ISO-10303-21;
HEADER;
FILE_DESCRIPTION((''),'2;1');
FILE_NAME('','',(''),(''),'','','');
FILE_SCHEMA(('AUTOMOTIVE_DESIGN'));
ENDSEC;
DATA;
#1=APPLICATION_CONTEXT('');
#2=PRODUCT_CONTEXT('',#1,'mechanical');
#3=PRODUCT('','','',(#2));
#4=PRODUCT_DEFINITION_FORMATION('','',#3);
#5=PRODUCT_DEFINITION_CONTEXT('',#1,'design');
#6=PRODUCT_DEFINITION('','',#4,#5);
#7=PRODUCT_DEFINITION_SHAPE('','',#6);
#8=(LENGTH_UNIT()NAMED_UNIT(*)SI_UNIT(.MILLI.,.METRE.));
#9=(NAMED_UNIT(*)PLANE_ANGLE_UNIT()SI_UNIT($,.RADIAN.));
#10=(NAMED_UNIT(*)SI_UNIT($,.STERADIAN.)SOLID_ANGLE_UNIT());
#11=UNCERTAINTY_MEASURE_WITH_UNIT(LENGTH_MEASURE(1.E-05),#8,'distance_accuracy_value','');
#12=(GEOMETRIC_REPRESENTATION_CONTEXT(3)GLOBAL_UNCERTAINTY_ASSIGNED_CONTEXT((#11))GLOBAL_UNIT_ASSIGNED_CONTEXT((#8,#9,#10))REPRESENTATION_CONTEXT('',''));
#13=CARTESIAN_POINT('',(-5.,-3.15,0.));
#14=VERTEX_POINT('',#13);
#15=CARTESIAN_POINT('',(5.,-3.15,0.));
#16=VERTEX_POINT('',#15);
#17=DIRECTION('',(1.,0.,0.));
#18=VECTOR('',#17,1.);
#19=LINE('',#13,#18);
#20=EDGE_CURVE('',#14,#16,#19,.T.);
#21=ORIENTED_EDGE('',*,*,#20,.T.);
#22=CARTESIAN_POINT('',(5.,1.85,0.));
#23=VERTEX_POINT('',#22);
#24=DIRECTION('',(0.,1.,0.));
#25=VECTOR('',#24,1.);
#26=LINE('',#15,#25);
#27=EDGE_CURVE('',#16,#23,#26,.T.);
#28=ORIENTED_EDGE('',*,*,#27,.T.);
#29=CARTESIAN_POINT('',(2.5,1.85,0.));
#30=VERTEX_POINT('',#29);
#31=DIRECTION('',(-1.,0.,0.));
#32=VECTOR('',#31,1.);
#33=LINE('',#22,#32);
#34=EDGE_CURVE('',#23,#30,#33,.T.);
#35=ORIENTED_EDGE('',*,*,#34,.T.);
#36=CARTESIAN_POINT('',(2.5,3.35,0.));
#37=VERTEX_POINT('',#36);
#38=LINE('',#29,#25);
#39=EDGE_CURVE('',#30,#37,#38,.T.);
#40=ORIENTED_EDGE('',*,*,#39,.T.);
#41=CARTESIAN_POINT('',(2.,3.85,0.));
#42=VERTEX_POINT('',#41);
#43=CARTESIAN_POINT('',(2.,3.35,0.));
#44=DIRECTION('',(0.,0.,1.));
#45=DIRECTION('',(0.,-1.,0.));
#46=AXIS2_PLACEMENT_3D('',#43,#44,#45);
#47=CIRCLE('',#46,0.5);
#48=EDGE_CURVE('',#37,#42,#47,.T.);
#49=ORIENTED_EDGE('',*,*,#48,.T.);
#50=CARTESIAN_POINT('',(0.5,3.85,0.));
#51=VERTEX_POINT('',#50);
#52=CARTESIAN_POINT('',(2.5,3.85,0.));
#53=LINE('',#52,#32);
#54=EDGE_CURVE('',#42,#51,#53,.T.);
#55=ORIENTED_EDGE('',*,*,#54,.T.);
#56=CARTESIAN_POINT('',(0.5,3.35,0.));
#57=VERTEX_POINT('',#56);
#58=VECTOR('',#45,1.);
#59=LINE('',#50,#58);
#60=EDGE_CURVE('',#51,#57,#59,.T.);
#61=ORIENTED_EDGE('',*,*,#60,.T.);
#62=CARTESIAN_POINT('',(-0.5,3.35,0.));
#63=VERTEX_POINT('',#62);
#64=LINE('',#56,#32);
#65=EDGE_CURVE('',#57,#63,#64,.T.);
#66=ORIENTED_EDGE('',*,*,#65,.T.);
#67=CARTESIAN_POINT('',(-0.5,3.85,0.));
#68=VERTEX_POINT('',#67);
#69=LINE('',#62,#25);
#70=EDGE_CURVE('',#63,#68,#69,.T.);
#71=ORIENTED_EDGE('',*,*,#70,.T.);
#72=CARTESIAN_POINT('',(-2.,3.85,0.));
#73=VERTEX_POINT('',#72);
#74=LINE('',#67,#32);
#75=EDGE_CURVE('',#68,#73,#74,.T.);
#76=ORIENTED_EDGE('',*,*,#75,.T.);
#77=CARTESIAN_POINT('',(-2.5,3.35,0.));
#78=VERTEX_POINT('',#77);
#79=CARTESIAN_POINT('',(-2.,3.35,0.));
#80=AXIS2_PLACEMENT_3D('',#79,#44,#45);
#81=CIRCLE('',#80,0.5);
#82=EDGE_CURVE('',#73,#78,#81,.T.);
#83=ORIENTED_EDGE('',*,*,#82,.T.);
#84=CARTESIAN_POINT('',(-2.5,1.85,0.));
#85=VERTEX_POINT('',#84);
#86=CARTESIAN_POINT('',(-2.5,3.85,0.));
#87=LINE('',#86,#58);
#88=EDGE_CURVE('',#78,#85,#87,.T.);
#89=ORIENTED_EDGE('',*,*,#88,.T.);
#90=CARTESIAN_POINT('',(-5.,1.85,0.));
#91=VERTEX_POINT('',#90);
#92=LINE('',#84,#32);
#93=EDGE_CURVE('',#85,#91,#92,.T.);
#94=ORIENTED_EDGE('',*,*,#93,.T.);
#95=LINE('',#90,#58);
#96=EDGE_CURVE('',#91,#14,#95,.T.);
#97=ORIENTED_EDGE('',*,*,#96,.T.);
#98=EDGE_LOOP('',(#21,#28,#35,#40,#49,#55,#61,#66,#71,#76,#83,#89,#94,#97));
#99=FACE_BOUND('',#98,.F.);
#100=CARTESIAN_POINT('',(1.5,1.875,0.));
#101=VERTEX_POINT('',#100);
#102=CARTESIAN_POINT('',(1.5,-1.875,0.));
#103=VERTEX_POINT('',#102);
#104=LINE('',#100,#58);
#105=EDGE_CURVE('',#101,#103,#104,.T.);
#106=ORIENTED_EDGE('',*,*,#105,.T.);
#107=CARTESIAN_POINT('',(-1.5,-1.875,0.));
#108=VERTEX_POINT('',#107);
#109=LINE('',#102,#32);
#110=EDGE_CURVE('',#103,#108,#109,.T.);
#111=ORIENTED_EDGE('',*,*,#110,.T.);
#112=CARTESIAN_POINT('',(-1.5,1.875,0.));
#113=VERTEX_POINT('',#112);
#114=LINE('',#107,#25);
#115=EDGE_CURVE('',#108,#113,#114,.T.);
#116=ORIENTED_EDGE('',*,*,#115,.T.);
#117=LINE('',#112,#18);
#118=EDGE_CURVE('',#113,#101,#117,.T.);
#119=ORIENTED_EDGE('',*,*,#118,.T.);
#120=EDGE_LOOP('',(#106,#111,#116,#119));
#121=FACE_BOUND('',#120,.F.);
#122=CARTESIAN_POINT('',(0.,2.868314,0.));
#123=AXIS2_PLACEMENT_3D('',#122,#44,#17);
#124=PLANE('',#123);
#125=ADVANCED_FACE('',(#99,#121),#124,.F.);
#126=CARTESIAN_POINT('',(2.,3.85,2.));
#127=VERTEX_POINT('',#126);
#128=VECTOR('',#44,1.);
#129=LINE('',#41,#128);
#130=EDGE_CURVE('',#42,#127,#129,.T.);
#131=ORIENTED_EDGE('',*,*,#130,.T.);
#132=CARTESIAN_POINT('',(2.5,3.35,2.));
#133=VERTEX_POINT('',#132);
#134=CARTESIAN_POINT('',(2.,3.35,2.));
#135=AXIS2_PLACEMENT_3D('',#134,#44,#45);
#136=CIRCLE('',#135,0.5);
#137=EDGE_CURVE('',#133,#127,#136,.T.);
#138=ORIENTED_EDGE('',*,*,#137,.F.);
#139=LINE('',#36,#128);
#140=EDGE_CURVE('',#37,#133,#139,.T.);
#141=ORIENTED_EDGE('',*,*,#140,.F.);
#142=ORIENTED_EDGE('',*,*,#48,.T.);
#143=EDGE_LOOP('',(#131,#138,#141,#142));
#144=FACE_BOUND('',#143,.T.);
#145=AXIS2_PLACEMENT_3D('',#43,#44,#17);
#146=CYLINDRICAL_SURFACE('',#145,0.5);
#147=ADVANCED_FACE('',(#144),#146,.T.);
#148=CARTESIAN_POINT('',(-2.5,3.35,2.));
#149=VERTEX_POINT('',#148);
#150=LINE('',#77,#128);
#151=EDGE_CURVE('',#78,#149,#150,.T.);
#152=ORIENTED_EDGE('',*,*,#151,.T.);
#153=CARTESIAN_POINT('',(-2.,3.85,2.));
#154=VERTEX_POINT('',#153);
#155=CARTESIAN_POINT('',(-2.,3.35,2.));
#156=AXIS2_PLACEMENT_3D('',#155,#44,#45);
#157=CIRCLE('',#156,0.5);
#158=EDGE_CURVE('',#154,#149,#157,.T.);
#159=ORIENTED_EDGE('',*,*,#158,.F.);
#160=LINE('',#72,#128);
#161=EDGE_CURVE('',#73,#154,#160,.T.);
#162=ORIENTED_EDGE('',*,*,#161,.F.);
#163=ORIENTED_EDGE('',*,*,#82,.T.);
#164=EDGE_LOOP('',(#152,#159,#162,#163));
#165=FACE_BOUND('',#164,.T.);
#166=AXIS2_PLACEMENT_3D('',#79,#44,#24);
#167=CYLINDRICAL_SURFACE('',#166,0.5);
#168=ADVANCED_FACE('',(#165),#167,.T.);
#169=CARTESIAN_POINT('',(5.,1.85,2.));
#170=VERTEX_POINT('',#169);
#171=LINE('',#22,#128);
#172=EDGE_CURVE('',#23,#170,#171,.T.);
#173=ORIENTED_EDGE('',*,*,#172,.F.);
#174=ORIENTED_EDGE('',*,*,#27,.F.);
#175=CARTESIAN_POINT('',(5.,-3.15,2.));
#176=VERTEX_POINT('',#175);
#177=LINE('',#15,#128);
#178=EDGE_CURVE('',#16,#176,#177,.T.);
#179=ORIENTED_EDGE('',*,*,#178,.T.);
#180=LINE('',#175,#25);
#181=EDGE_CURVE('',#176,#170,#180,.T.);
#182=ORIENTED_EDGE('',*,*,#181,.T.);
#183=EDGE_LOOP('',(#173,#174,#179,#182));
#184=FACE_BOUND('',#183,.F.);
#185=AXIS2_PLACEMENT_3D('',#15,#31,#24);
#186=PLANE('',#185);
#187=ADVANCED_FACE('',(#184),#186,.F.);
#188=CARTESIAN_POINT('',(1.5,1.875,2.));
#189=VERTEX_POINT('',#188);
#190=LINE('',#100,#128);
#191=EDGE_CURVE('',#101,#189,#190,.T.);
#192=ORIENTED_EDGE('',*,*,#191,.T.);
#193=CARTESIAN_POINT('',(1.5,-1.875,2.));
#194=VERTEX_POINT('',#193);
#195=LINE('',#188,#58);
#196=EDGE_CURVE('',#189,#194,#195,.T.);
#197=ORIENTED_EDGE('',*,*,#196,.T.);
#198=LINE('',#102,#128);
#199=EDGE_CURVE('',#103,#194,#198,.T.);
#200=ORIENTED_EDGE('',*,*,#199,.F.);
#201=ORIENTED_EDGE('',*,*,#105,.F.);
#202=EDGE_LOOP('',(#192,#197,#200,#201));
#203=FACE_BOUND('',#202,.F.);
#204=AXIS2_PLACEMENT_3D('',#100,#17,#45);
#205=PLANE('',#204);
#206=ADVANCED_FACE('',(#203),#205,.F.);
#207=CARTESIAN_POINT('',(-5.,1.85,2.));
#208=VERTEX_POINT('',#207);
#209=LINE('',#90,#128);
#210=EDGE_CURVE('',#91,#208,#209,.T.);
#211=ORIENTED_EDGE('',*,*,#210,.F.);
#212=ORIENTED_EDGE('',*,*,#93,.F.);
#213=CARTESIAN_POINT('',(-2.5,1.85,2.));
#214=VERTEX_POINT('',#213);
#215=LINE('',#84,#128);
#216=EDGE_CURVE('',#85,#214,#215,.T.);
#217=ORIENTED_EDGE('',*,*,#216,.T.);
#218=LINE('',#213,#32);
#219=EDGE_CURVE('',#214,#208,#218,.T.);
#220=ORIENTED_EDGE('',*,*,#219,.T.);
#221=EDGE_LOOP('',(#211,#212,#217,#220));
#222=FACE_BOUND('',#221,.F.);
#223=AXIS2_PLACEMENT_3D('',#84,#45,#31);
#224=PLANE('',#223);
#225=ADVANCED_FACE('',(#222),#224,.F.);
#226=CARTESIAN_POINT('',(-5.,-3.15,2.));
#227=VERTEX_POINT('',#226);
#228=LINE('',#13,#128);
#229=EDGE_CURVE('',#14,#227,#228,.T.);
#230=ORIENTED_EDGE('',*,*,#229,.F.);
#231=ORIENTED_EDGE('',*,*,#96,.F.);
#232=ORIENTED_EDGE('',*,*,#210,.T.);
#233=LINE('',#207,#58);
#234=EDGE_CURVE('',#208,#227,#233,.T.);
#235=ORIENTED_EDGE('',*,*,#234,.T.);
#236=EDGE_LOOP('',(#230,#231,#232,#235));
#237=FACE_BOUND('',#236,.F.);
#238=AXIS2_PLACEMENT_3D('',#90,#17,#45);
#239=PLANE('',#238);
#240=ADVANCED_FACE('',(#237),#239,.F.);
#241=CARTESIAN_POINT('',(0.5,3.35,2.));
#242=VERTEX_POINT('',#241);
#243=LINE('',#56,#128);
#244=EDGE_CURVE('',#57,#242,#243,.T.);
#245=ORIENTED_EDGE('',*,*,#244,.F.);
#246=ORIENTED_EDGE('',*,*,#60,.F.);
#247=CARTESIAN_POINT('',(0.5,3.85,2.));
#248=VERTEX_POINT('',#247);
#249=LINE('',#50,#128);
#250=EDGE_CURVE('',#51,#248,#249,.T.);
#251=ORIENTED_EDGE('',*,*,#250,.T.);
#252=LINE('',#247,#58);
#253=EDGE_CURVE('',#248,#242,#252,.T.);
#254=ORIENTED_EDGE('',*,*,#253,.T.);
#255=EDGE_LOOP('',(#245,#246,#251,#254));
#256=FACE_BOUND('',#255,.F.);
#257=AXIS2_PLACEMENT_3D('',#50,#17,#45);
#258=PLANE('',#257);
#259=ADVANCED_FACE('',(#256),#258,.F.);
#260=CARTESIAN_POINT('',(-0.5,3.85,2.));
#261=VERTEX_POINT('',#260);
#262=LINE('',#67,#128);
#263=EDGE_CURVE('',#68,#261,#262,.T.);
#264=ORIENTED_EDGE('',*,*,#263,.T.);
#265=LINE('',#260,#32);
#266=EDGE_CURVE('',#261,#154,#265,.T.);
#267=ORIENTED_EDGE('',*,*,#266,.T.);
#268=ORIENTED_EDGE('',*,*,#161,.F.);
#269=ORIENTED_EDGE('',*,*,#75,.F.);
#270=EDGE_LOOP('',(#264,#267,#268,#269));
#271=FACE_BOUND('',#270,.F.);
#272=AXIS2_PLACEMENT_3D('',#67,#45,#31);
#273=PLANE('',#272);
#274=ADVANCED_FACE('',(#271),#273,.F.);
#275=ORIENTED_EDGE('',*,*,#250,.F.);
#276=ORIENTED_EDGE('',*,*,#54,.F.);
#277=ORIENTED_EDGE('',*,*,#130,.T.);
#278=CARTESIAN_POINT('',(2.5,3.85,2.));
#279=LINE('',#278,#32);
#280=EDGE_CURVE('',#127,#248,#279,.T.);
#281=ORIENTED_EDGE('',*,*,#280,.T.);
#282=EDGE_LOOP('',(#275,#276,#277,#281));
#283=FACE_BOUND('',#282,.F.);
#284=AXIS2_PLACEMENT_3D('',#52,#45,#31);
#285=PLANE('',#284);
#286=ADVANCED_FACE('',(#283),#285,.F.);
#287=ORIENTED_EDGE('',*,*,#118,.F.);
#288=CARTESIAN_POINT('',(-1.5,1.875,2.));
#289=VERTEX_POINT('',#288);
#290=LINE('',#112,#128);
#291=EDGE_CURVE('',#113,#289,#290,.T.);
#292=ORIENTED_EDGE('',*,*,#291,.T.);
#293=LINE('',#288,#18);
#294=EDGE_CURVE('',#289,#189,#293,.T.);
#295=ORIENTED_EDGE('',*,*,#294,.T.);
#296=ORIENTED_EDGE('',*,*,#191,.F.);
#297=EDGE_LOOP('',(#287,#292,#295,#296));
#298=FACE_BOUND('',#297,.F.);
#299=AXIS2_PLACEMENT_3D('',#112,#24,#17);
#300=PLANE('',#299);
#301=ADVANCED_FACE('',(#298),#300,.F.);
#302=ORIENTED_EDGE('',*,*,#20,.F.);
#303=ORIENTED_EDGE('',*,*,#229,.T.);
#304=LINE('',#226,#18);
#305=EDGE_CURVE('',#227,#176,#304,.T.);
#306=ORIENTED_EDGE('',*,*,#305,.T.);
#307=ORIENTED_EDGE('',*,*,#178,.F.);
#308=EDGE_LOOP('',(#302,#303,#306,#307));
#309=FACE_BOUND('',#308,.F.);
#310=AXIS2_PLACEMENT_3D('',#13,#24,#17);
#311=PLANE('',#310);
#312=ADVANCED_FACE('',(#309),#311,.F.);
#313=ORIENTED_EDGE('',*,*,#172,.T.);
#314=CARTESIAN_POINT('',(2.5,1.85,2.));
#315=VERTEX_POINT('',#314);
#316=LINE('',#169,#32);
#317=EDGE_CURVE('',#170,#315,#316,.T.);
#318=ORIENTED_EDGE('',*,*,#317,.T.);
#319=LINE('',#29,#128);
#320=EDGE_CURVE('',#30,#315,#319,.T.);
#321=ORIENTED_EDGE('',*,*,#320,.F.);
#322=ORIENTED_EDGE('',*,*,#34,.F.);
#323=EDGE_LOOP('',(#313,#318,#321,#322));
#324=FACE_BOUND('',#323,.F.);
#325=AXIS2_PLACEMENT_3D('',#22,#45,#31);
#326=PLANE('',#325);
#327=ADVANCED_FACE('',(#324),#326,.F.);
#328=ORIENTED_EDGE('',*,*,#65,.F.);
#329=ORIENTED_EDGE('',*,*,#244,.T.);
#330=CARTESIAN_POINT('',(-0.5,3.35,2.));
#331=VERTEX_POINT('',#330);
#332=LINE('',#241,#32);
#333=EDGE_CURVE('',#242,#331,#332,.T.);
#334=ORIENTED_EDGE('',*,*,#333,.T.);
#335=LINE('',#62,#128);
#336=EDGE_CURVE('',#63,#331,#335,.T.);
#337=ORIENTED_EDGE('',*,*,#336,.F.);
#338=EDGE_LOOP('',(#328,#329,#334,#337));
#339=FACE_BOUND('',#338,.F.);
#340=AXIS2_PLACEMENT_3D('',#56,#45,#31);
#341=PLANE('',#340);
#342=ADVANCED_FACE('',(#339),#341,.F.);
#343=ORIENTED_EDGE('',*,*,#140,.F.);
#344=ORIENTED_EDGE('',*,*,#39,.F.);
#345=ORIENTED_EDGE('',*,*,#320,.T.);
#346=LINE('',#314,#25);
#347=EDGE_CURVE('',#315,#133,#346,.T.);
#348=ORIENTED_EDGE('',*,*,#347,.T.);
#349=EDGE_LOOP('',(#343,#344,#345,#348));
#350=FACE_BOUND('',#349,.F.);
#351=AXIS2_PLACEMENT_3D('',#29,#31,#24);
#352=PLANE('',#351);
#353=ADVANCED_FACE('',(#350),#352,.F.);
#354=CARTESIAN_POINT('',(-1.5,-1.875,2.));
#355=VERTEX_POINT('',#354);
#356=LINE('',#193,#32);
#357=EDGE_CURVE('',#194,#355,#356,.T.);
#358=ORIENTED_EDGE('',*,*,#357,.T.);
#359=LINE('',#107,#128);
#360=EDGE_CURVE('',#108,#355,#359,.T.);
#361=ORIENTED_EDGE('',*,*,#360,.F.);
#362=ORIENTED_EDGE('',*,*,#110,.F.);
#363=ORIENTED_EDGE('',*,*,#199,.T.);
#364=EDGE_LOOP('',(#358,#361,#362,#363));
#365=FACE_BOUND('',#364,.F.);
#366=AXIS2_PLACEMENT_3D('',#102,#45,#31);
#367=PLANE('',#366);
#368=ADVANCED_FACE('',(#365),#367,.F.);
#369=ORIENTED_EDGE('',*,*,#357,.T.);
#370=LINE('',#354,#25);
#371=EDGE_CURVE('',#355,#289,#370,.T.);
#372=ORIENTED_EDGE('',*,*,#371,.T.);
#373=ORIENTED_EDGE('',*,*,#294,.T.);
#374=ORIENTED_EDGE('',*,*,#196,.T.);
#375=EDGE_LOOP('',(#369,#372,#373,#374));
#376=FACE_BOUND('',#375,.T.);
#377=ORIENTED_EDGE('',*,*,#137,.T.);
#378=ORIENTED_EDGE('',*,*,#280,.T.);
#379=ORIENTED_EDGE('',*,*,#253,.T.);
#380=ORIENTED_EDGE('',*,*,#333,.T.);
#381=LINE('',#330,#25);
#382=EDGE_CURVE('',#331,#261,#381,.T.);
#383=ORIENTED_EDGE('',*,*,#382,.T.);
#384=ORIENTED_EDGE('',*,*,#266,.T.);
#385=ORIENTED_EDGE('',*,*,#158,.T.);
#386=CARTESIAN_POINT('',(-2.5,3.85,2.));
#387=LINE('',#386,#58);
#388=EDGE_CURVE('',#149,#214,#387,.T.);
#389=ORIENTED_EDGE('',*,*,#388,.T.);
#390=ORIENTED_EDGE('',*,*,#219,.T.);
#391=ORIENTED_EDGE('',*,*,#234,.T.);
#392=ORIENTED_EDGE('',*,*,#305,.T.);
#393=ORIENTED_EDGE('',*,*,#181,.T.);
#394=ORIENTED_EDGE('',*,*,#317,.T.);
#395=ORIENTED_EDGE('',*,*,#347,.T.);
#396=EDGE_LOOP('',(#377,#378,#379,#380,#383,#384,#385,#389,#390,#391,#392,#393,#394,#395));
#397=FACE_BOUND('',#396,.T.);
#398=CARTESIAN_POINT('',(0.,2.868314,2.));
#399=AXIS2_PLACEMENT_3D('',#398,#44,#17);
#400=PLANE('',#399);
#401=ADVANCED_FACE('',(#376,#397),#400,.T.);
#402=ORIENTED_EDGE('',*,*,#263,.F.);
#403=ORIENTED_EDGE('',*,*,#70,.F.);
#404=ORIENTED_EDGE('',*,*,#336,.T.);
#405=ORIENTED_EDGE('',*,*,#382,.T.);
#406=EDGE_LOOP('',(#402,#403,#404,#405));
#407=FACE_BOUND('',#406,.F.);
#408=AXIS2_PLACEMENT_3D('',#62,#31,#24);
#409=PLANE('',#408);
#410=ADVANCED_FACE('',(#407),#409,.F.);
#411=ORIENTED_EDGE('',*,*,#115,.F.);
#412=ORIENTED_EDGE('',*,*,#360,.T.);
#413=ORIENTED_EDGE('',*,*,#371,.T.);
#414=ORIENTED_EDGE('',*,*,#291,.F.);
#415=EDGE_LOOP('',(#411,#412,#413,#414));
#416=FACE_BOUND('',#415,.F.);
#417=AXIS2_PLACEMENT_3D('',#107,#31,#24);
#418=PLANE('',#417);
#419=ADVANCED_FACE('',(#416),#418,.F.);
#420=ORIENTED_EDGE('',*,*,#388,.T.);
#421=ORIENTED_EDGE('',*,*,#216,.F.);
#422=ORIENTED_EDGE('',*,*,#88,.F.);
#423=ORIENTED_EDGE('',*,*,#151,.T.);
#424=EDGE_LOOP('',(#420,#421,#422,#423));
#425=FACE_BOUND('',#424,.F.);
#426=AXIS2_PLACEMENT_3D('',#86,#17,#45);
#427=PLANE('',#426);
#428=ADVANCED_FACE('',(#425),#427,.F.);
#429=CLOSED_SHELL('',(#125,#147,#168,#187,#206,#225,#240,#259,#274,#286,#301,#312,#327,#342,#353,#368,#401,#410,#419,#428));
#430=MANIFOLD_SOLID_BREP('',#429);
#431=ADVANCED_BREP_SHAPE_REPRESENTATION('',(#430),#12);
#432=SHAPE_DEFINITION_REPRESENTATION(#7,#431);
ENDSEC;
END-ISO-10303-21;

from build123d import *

# Parameters (mm, degrees)
F1_DEPTH = 2
F2_R     = 0.5


with BuildPart() as f1:
    # F0 (on Top) → F1 (new body)
    with BuildSketch(Plane.XY):
        Polygon((1.5, 1.875), (1.5, 1.85), (2.5, 1.85), (2.5, 3.85), (0.5, 3.85), (0.5, 3.35), (-0.5, 3.35), (-0.5, 3.85), (-2.5, 3.85), (-2.5, 1.85), (-1.5, 1.85), (-1.5, 1.875), align=None)
        Polygon((1.5, 1.85), (1.5, -1.875), (-1.5, -1.875), (-1.5, 1.85), (-2.5, 1.85), (-5, 1.85), (-5, -3.15), (5, -3.15), (5, 1.85), (2.5, 1.85), align=None)
    extrude(amount=F1_DEPTH)

    # F2
    f2_edges = [f1.edges().sort_by_distance(p)[0] for p in [
        (-2.5, 3.85, 1),
        (2.5, 3.85, 1),
    ]]
    fillet(f2_edges, radius=F2_R)


solid = f1.part
